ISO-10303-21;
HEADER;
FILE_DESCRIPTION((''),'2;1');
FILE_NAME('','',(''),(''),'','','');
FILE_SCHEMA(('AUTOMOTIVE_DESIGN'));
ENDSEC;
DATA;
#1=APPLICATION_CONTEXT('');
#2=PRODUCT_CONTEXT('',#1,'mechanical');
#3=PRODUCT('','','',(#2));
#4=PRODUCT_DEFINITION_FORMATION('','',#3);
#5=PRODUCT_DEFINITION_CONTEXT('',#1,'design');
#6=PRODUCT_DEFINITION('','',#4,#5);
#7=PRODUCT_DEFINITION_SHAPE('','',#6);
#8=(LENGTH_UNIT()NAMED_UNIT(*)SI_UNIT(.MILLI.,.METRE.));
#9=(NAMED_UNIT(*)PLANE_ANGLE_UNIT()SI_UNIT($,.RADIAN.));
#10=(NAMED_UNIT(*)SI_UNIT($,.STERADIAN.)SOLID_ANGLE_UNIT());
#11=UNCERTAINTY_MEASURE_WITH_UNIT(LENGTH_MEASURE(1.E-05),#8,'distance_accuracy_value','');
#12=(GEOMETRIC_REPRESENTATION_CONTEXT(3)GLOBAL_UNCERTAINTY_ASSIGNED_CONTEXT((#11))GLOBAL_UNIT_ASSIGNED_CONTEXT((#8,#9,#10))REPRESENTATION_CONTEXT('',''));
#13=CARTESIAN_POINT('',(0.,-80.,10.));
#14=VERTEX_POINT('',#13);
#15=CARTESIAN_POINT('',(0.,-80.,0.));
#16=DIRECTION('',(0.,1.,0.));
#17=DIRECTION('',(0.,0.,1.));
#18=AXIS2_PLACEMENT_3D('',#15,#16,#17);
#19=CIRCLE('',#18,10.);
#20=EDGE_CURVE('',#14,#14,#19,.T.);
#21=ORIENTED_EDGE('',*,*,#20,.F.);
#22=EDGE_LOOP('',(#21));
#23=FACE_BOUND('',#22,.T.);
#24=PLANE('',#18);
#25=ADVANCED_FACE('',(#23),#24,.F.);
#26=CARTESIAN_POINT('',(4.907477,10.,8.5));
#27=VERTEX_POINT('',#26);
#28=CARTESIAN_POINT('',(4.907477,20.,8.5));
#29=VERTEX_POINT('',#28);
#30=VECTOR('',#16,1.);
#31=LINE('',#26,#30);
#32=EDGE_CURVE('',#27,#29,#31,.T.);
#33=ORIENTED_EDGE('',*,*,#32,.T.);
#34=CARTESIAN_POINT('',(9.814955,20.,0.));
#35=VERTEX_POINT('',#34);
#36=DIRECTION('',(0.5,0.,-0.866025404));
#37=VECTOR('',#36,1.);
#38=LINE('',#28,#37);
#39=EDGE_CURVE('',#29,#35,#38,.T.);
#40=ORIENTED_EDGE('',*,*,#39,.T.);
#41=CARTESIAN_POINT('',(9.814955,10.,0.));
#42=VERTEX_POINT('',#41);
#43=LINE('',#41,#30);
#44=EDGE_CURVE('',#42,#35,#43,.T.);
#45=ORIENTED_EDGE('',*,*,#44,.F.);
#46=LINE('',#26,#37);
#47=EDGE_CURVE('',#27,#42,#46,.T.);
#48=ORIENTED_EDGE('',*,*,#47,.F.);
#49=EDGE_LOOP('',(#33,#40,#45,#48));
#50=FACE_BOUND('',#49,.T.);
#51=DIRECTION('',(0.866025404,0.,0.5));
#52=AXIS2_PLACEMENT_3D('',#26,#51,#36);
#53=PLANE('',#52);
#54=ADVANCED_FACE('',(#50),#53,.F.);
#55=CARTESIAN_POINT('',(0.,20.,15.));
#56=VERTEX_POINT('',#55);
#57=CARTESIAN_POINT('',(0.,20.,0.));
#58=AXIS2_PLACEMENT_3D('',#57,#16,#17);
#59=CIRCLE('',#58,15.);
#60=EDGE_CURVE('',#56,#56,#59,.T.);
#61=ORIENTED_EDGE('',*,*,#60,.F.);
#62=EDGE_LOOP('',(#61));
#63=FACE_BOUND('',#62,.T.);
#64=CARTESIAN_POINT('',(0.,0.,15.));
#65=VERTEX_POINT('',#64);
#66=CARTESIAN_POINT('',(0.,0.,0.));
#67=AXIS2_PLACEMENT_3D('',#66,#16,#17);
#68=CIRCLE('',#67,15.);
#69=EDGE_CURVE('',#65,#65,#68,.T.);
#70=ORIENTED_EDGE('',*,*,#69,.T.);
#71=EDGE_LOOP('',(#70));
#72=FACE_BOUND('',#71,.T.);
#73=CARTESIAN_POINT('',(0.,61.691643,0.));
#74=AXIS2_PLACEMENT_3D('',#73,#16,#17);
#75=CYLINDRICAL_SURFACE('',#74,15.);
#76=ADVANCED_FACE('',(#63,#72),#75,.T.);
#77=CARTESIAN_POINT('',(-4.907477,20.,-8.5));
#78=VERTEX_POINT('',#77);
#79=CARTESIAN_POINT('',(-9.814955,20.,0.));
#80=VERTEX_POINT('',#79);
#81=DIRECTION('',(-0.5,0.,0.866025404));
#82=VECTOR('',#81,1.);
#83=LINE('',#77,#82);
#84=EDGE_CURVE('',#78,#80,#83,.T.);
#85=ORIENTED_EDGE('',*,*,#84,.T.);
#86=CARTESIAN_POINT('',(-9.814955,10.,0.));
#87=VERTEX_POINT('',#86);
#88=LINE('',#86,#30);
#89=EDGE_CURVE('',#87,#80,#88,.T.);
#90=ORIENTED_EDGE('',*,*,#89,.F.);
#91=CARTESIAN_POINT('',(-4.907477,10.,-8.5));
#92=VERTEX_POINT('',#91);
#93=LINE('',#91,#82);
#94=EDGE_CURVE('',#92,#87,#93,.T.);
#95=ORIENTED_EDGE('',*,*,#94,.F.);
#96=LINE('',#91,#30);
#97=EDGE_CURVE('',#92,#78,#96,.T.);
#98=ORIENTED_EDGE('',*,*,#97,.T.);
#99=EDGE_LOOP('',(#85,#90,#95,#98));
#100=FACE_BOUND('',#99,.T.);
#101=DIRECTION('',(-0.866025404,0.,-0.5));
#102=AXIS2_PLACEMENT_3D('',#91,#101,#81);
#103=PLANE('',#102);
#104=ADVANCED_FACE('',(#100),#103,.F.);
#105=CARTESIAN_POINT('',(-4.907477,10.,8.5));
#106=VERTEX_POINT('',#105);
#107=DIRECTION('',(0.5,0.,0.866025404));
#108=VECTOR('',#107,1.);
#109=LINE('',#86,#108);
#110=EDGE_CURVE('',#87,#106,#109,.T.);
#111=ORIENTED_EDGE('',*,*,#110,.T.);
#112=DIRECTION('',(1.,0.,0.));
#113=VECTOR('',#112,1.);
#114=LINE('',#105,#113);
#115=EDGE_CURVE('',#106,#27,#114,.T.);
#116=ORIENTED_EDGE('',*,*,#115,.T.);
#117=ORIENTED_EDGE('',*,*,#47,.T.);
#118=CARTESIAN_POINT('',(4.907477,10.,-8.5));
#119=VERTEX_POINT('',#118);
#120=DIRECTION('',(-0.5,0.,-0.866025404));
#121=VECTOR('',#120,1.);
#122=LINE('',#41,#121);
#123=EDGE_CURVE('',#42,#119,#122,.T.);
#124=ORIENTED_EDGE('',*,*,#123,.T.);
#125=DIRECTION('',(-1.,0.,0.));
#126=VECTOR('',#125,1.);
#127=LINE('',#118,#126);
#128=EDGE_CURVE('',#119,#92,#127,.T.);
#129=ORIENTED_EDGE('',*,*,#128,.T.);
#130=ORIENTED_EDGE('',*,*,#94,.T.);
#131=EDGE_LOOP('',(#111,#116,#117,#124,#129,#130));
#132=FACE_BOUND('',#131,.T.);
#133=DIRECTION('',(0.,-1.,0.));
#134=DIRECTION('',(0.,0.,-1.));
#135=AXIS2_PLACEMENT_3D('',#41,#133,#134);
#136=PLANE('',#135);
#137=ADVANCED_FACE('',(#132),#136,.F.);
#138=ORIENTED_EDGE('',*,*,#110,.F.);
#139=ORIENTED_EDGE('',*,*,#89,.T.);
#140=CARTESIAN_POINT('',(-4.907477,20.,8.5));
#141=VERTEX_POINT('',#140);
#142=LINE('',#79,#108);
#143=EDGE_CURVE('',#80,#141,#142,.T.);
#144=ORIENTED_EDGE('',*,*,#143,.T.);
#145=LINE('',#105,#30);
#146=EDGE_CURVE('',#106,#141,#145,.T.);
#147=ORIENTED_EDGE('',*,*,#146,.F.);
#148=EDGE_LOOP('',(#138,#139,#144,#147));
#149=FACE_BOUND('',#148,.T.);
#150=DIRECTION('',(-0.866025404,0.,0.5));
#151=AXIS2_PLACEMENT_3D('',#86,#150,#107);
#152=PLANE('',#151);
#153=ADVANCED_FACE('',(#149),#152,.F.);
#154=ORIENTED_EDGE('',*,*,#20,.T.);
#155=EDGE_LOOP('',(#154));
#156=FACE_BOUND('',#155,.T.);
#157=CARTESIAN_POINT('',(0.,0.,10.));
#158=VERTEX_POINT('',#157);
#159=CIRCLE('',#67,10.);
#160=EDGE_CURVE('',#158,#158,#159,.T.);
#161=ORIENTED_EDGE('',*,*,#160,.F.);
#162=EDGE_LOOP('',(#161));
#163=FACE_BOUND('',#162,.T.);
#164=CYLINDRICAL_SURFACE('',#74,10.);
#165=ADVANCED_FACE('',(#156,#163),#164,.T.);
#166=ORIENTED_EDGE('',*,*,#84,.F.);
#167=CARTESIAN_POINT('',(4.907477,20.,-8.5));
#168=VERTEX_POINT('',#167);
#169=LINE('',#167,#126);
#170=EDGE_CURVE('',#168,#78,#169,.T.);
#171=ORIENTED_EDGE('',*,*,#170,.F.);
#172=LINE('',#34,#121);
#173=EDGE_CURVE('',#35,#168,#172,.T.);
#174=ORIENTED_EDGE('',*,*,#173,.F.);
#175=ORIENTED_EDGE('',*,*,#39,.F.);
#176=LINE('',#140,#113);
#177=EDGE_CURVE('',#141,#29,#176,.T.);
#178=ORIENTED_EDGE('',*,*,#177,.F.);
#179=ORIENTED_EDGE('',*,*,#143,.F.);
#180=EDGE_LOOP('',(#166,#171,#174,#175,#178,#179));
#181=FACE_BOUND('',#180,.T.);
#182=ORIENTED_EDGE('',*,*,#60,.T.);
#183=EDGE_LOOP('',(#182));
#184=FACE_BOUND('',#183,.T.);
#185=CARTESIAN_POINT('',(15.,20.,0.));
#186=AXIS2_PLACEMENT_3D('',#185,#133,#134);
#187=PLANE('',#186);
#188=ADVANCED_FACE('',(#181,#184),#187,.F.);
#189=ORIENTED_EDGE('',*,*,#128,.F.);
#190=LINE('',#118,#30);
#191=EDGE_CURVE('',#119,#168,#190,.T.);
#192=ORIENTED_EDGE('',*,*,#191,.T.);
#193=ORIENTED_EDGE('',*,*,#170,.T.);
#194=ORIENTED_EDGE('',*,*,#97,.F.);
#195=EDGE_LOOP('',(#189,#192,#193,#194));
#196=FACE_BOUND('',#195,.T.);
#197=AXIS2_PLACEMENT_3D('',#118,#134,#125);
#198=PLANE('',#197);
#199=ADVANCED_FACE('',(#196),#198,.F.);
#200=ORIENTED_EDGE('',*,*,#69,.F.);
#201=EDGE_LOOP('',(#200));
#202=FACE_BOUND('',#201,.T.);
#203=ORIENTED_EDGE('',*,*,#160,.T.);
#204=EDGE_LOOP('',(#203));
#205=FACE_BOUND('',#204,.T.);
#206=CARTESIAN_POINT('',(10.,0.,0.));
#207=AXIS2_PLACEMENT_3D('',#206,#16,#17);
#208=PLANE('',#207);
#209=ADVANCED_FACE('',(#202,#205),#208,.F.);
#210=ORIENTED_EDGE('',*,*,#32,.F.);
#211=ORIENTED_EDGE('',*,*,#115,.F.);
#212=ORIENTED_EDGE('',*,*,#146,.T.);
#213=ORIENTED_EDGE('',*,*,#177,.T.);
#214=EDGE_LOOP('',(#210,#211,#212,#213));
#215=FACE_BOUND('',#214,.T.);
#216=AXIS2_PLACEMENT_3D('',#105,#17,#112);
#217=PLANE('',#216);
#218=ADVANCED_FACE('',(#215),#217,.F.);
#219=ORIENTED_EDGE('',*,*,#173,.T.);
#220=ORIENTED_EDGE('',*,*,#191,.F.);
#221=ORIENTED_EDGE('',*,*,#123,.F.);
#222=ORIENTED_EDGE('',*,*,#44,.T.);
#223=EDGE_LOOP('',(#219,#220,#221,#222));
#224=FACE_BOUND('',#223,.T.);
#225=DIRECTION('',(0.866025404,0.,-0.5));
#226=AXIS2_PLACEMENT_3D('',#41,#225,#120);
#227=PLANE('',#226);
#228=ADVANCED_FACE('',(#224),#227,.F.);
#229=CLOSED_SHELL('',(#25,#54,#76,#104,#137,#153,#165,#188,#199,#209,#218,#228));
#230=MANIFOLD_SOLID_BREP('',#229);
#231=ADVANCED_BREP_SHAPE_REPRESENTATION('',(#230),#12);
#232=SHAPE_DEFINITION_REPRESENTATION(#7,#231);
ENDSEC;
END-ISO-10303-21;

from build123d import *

# Parameters (mm, degrees)
CUT_EXTRUDE1_DEPTH = 10


with BuildPart() as part:
    # Sketch1 → Revolve1 (revolve)
    with BuildSketch(Plane.XY, mode=Mode.PRIVATE) as revolve1_sk:
        Polygon((0, -80), (10, -80), (10, 0), (15, 0), (15, 20), (0, 20), align=None)
    revolve(revolve1_sk.sketch.rotate(Axis((0, 61.691642626, 0), (0, -1, 0)), 90), axis=Axis((0, 61.691642626, 0), (0, -1, 0)))

    # Sketch2 → Cut-Extrude1 (cut)
    with BuildSketch(Plane(origin=(0, 20, 0), x_dir=(-1, 0, 0), z_dir=(0, 1, 0))):
        Polygon((-4.907477288, -8.5), (4.907477288, -8.5), (9.814954576, 0), (4.907477288, 8.5), (-4.907477288, 8.5), (-9.814954576, 0), align=None)
    extrude(amount=-CUT_EXTRUDE1_DEPTH, mode=Mode.SUBTRACT)


solid = part.part
